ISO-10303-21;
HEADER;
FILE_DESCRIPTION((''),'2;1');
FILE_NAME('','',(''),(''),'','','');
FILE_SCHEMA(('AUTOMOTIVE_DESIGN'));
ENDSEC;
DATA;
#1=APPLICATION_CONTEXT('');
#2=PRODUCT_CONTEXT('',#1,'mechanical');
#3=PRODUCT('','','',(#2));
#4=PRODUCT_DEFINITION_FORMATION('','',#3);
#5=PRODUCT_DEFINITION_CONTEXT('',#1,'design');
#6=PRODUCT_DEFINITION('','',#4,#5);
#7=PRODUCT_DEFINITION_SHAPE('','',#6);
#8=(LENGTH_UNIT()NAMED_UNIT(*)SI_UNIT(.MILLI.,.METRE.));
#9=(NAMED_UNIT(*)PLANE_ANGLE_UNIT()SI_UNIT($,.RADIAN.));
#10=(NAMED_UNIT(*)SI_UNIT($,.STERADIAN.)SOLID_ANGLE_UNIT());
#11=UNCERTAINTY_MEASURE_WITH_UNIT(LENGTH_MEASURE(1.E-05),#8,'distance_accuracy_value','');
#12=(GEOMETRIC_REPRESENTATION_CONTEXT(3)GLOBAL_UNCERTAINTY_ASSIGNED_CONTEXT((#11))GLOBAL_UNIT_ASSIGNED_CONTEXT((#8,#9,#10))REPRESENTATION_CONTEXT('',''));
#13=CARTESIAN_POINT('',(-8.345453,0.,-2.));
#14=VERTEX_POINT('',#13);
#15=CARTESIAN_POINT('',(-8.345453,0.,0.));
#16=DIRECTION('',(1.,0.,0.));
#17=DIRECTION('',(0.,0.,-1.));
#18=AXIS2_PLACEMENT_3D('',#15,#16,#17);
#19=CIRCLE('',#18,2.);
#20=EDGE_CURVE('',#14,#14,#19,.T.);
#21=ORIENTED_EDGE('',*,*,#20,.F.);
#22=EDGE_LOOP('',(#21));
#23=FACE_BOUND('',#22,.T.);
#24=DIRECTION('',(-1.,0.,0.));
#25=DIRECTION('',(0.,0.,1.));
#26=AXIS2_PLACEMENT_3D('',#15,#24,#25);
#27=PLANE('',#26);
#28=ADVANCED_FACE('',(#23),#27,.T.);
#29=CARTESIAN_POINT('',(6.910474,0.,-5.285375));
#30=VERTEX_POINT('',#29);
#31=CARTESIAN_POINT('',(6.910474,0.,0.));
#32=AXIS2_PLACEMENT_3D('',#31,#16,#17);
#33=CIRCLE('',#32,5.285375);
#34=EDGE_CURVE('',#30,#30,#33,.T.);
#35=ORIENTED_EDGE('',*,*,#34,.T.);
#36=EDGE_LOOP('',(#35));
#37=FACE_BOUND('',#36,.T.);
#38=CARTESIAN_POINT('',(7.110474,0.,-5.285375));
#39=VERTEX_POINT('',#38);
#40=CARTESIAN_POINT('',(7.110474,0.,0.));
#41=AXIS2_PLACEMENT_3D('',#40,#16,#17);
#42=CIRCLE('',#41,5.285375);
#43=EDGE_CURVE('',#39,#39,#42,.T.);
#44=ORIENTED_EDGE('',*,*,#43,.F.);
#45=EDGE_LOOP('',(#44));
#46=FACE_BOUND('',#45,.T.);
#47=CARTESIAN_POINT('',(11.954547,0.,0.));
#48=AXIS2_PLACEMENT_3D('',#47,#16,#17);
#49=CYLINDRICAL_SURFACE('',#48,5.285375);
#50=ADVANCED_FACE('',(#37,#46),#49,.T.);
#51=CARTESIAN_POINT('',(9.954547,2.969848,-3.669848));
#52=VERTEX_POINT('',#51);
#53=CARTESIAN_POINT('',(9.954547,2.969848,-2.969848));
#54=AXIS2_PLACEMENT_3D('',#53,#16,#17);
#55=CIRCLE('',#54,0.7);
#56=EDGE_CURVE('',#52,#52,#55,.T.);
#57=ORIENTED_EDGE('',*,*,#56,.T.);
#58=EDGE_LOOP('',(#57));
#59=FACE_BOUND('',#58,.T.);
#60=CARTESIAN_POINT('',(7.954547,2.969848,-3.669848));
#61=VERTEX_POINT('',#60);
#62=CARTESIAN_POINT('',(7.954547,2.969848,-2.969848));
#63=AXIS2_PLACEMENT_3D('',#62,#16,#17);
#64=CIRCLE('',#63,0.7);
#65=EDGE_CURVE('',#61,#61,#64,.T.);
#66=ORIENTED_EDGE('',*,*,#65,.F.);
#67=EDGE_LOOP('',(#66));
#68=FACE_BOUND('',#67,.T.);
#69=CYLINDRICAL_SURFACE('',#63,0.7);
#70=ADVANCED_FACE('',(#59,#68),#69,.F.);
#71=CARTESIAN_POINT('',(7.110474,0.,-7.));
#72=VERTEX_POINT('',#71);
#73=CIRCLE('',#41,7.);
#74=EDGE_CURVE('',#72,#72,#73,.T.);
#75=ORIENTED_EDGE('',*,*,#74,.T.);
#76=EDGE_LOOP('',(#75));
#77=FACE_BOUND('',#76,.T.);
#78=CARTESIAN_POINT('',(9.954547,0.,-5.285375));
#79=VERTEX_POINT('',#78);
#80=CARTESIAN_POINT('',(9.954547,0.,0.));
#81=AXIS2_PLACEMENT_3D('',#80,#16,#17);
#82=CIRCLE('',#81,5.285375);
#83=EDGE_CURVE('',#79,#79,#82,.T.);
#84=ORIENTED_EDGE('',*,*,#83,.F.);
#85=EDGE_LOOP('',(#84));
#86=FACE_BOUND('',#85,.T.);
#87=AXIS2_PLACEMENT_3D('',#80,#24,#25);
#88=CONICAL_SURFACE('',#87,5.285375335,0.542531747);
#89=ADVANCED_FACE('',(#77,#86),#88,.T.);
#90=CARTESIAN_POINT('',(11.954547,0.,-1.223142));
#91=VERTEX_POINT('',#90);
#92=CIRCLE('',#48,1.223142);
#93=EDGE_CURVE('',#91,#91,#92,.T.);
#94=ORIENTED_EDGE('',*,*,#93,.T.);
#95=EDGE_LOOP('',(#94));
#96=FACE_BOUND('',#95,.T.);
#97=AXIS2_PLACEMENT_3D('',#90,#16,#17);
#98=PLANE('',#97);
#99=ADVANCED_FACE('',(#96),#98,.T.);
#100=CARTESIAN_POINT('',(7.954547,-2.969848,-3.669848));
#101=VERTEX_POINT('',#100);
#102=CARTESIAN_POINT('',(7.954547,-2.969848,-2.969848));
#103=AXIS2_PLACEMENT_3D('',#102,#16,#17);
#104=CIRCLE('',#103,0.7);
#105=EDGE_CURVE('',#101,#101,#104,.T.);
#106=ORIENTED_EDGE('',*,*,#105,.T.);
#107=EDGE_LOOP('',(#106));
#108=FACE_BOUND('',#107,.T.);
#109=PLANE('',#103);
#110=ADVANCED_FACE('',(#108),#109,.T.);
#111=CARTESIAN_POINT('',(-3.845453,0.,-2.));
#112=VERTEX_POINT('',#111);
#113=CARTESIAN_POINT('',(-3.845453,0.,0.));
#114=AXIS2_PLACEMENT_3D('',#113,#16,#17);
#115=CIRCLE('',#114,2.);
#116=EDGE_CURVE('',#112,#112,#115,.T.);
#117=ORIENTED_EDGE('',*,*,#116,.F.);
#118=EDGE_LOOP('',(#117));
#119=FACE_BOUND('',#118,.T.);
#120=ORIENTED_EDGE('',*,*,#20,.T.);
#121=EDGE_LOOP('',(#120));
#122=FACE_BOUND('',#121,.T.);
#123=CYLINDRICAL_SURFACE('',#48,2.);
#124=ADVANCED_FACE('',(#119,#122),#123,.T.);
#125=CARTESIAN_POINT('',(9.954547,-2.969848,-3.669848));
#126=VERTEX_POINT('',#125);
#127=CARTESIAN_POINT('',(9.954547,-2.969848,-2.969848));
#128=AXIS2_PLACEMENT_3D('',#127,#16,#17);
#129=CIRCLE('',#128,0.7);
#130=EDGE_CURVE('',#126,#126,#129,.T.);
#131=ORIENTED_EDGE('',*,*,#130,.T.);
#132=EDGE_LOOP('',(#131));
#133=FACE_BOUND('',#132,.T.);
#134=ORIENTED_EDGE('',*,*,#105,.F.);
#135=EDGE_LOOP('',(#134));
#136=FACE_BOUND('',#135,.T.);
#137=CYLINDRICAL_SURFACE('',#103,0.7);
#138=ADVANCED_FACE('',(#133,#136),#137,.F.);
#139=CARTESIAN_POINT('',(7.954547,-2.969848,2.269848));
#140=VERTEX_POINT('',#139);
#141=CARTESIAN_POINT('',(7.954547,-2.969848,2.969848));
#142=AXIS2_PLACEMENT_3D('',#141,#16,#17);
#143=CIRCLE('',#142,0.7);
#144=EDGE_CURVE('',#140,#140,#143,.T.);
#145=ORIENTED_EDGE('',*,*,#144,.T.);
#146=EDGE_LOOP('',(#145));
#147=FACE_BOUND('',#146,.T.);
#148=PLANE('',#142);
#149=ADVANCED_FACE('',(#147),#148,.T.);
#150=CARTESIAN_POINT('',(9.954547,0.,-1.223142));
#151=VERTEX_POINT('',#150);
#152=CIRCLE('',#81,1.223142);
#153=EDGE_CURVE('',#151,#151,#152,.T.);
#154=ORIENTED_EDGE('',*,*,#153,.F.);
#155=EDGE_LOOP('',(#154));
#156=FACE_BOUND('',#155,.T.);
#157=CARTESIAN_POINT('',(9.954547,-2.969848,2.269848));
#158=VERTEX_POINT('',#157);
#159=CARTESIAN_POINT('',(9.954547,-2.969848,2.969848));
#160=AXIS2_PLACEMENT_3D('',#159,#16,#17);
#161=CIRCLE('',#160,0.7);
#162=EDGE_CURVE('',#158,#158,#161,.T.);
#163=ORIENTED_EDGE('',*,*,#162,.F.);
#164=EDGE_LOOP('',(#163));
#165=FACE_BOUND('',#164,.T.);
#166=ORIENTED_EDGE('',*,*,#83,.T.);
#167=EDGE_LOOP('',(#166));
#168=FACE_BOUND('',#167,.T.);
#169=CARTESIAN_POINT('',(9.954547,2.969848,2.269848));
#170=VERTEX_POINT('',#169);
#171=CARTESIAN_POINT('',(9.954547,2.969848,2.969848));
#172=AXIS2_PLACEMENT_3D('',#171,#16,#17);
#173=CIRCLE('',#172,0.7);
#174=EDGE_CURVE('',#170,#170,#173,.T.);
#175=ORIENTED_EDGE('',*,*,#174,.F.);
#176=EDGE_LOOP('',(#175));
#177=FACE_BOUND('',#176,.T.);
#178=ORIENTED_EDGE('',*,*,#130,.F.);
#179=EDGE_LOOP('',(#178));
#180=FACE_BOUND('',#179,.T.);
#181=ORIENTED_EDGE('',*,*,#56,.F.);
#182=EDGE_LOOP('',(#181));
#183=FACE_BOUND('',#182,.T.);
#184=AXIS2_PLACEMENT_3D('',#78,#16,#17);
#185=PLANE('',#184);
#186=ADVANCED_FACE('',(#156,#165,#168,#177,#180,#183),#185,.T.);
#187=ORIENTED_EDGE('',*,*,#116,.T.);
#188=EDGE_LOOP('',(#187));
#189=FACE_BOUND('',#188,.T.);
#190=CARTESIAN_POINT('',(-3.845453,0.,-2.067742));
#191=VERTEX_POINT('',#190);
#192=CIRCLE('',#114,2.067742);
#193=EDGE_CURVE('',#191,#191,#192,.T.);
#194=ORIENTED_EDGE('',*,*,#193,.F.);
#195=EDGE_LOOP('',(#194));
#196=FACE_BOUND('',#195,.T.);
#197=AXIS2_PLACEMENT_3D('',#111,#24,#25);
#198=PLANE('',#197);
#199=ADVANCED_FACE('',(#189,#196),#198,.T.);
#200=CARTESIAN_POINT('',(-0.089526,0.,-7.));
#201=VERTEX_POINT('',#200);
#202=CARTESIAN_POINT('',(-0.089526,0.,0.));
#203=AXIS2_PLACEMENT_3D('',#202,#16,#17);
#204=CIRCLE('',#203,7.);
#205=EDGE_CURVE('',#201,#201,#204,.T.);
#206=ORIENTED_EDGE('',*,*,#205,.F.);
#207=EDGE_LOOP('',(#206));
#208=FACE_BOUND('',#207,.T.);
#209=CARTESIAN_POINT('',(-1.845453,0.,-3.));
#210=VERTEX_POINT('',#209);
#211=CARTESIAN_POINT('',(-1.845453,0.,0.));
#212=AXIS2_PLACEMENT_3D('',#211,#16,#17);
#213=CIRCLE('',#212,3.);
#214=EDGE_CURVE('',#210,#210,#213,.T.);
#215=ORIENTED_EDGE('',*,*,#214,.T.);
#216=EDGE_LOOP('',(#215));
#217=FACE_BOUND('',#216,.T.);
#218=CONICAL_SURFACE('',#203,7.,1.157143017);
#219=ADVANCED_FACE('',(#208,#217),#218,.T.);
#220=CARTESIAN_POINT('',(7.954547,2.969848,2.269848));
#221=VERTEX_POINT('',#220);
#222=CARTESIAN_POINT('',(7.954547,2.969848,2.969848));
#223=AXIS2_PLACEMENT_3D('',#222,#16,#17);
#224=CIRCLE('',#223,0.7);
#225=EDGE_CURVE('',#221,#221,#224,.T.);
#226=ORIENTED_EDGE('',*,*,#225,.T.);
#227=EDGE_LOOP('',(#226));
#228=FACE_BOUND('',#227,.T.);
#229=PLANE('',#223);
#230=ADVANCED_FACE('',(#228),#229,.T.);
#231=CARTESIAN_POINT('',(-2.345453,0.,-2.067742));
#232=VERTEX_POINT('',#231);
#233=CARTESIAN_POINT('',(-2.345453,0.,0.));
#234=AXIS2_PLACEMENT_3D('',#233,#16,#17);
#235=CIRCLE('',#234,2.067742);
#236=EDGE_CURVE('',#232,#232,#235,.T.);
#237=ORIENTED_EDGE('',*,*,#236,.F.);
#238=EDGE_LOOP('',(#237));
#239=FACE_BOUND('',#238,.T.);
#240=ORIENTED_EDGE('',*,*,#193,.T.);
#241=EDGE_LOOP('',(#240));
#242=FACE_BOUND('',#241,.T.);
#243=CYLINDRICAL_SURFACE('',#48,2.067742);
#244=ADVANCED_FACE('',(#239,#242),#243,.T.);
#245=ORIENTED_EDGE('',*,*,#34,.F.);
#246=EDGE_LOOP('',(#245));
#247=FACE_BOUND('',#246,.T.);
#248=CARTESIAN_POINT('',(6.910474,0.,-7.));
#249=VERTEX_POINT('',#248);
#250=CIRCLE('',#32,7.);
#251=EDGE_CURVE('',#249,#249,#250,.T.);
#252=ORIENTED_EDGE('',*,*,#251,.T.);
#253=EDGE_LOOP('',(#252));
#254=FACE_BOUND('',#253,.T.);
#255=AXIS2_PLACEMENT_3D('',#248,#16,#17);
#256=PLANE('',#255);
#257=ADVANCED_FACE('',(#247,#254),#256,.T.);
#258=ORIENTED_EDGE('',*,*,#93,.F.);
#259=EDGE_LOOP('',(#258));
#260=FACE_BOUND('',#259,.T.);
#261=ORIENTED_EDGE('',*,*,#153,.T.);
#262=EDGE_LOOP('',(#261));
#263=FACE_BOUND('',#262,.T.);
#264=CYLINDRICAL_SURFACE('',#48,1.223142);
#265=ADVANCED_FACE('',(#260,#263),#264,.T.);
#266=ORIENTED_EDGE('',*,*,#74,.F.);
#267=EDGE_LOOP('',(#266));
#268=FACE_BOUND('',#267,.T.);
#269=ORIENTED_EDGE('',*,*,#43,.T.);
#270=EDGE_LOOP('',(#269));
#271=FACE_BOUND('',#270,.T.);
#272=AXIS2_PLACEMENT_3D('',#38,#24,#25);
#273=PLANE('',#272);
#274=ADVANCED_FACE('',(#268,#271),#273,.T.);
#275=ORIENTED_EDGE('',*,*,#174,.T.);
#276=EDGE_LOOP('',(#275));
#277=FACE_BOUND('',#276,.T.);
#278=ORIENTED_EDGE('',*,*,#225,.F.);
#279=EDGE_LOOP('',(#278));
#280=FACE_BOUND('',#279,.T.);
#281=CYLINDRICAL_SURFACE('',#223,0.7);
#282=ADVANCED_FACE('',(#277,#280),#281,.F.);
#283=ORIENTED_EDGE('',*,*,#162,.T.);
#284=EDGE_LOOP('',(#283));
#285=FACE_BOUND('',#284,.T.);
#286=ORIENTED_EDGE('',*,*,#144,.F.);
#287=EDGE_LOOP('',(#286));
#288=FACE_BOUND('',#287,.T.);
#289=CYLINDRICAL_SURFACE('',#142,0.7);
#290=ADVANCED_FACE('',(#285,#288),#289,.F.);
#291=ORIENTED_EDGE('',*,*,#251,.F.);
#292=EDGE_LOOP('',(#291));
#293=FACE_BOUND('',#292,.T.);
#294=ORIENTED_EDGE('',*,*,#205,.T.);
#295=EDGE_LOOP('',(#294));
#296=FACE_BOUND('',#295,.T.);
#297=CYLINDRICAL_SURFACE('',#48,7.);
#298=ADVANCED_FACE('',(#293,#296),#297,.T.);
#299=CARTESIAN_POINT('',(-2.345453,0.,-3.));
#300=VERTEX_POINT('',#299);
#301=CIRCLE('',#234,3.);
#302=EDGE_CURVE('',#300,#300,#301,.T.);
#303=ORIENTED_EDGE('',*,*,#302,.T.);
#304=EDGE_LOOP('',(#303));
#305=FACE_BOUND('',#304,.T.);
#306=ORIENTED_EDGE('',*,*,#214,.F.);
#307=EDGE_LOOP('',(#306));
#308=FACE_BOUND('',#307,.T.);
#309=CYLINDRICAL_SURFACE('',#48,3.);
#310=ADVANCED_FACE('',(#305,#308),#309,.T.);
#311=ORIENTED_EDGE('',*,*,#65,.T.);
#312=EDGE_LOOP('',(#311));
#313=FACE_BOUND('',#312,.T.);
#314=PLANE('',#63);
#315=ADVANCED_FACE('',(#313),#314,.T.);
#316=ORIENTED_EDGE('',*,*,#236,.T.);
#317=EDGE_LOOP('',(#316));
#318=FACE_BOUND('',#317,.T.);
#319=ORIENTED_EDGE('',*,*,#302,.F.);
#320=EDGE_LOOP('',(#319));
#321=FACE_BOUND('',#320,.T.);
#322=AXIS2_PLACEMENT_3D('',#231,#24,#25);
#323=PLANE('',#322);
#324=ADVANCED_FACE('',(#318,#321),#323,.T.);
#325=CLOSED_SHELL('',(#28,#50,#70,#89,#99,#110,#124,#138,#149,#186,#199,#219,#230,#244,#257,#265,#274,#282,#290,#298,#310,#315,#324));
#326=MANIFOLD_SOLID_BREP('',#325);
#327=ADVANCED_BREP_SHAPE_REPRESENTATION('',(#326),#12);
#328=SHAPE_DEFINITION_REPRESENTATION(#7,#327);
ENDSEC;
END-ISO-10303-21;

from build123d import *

# Parameters (mm, degrees)
SKETCH3_R          = 0.7
CUT_EXTRUDE1_DEPTH = 2


with BuildPart() as part:
    # Sketch2 → Revolve1 (revolve)
    with BuildSketch(Plane(origin=(0, 0, 0), x_dir=(1, 0, 0), z_dir=(0, 1, 0))):
        Polygon((-2.345452762, 2.067742112), (-2.345452762, 3), (-1.845452762, 3), (-0.089526495, 7), (6.910473505, 7), (6.910473505, 5.285375335), (7.110473505, 5.285375335), (7.110473505, 7), (9.954547238, 5.285375335), (9.954547238, 1.223141528), (11.954547238, 1.223141528), (11.954547238, 0), (-8.345452762, 0), (-8.345452762, 2), (-3.845452762, 2), (-3.845452762, 2.067742112), align=None)
    revolve(axis=Axis((11.954547238, 0, 0), (-1, 0, 0)))

    # Sketch3 → Cut-Extrude1 (cut)
    with BuildSketch(Plane(origin=(9.954547238, 0, 0), x_dir=(0, 0, -1), z_dir=(1, 0, 0))):
        with Locations((2.969848481, 2.969848481)):
            Circle(SKETCH3_R)
        with Locations((2.969848481, -2.969848481)):
            Circle(SKETCH3_R)
        with Locations((-2.969848481, -2.969848481)):
            Circle(SKETCH3_R)
        with Locations((-2.969848481, 2.969848481)):
            Circle(SKETCH3_R)
    extrude(amount=-CUT_EXTRUDE1_DEPTH, mode=Mode.SUBTRACT)


solid = part.part
